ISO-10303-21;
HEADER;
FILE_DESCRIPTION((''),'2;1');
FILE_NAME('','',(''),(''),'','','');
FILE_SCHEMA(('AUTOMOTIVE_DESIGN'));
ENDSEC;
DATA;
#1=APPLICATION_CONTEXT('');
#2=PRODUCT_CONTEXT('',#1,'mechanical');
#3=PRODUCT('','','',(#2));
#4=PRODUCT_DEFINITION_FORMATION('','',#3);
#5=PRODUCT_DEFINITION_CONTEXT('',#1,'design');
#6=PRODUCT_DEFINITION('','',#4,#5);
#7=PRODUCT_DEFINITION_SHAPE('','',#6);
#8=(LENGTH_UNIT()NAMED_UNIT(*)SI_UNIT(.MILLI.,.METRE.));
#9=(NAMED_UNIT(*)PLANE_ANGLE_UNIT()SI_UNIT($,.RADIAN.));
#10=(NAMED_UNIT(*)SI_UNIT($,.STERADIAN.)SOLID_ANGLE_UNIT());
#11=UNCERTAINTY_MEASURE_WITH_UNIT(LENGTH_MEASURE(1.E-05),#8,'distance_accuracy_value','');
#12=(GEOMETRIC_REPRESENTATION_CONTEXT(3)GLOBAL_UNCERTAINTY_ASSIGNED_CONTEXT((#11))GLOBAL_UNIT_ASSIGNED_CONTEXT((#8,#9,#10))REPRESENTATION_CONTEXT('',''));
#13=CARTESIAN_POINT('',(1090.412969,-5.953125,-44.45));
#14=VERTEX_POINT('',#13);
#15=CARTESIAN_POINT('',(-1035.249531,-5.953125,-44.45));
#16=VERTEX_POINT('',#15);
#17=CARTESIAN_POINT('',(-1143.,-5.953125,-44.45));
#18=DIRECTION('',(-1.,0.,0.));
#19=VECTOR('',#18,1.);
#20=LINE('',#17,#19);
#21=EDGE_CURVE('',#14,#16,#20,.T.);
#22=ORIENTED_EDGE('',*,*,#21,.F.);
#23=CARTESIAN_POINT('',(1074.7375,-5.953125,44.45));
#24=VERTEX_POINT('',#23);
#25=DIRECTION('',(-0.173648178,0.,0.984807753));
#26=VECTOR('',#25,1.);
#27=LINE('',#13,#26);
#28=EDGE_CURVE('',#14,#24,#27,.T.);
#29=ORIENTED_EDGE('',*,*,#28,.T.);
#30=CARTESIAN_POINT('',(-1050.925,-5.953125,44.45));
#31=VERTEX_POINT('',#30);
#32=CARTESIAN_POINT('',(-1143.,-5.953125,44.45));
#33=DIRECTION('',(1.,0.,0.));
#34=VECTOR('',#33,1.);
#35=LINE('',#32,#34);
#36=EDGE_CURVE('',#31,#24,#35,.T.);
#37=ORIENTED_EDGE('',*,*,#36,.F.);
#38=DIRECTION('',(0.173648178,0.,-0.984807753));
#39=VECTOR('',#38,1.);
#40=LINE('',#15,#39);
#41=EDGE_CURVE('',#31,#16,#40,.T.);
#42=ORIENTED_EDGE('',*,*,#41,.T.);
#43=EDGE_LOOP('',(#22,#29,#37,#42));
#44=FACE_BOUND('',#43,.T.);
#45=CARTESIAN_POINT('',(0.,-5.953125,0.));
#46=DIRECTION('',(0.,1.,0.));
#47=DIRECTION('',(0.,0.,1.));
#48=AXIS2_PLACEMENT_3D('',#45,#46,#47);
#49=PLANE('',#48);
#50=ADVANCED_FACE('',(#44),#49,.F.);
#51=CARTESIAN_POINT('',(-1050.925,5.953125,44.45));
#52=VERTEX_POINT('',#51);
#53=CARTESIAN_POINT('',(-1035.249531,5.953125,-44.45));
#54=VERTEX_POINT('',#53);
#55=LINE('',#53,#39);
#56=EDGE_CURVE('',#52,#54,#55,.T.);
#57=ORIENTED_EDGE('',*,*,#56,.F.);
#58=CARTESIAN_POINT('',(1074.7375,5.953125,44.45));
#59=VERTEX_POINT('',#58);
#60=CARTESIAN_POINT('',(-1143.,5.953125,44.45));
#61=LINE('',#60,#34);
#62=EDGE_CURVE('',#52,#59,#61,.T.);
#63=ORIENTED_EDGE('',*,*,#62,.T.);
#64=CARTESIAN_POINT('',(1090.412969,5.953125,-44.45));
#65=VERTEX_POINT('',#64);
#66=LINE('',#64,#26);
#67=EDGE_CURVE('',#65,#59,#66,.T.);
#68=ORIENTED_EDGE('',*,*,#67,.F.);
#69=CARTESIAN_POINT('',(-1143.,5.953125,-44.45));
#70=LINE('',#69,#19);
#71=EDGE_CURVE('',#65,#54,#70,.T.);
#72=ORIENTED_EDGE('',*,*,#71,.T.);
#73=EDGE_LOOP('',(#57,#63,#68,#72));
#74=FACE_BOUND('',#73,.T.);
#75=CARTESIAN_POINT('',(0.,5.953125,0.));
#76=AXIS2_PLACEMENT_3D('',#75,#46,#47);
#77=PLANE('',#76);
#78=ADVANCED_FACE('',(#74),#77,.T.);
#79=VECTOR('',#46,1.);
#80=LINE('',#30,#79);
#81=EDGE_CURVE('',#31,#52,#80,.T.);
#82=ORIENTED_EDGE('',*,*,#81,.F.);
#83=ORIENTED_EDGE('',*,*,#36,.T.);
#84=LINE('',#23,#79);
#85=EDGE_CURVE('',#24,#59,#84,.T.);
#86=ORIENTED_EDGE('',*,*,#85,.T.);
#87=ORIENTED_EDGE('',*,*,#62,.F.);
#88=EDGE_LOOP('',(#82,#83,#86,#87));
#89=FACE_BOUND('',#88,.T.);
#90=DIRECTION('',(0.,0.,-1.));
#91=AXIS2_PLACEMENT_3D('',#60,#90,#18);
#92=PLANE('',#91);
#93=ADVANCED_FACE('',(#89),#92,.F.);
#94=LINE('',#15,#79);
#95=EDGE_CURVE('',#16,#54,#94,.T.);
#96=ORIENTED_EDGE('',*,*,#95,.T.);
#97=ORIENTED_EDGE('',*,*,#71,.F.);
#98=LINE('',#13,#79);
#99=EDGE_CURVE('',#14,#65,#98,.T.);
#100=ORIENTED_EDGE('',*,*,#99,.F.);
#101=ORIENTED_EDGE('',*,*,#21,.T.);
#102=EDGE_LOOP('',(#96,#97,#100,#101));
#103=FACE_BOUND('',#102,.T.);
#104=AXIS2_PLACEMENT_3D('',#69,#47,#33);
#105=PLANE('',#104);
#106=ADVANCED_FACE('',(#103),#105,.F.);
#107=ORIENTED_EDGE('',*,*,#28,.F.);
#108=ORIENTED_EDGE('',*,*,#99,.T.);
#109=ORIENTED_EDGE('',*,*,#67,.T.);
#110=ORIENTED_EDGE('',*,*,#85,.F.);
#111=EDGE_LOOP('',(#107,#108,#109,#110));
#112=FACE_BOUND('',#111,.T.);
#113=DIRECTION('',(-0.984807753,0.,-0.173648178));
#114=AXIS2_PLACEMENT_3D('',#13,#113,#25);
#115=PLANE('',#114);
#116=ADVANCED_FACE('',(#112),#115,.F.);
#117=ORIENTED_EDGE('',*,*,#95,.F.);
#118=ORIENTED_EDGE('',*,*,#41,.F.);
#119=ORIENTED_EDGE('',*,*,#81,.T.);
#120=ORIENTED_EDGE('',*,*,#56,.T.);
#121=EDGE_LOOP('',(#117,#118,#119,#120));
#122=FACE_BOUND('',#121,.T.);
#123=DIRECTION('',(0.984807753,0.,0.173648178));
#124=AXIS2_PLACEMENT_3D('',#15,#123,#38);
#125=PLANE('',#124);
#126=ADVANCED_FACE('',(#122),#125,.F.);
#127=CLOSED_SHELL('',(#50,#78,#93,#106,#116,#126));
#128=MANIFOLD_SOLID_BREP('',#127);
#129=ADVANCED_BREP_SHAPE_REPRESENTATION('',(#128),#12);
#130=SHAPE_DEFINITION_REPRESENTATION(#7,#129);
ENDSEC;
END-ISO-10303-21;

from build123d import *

# Parameters (mm, degrees)
SKETCH1_W           = 2286
SKETCH1_H           = 88.9
BOSS_EXTRUDE1_DEPTH = 5.953125
CUT_EXTRUDE1_DEPTH  = 1144.925942222


with BuildPart() as part:
    # Sketch1 → Boss-Extrude1 (new, symmetric)
    with BuildSketch(Plane(origin=(0, 0, 0), x_dir=(1, 0, 0), z_dir=(0, 1, 0))):
        Rectangle(SKETCH1_W, SKETCH1_H)
    extrude(amount=BOSS_EXTRUDE1_DEPTH, both=True)

    # Sketch4 → Cut-Extrude1 (cut, through all)
    with BuildSketch(Plane(origin=(0, 5.953125, 0), x_dir=(1, 0, 0), z_dir=(0, 1, 0))):
        Polygon((-1035.249531415, 44.45), (-1050.925, -44.45), (-1143, -44.45), (-1143, 44.45), align=None)
        Polygon((1090.412968585, 44.45), (1074.7375, -44.45), (1143, -44.45), (1143, 44.45), align=None)
    extrude(amount=-CUT_EXTRUDE1_DEPTH, mode=Mode.SUBTRACT)


solid = part.part
